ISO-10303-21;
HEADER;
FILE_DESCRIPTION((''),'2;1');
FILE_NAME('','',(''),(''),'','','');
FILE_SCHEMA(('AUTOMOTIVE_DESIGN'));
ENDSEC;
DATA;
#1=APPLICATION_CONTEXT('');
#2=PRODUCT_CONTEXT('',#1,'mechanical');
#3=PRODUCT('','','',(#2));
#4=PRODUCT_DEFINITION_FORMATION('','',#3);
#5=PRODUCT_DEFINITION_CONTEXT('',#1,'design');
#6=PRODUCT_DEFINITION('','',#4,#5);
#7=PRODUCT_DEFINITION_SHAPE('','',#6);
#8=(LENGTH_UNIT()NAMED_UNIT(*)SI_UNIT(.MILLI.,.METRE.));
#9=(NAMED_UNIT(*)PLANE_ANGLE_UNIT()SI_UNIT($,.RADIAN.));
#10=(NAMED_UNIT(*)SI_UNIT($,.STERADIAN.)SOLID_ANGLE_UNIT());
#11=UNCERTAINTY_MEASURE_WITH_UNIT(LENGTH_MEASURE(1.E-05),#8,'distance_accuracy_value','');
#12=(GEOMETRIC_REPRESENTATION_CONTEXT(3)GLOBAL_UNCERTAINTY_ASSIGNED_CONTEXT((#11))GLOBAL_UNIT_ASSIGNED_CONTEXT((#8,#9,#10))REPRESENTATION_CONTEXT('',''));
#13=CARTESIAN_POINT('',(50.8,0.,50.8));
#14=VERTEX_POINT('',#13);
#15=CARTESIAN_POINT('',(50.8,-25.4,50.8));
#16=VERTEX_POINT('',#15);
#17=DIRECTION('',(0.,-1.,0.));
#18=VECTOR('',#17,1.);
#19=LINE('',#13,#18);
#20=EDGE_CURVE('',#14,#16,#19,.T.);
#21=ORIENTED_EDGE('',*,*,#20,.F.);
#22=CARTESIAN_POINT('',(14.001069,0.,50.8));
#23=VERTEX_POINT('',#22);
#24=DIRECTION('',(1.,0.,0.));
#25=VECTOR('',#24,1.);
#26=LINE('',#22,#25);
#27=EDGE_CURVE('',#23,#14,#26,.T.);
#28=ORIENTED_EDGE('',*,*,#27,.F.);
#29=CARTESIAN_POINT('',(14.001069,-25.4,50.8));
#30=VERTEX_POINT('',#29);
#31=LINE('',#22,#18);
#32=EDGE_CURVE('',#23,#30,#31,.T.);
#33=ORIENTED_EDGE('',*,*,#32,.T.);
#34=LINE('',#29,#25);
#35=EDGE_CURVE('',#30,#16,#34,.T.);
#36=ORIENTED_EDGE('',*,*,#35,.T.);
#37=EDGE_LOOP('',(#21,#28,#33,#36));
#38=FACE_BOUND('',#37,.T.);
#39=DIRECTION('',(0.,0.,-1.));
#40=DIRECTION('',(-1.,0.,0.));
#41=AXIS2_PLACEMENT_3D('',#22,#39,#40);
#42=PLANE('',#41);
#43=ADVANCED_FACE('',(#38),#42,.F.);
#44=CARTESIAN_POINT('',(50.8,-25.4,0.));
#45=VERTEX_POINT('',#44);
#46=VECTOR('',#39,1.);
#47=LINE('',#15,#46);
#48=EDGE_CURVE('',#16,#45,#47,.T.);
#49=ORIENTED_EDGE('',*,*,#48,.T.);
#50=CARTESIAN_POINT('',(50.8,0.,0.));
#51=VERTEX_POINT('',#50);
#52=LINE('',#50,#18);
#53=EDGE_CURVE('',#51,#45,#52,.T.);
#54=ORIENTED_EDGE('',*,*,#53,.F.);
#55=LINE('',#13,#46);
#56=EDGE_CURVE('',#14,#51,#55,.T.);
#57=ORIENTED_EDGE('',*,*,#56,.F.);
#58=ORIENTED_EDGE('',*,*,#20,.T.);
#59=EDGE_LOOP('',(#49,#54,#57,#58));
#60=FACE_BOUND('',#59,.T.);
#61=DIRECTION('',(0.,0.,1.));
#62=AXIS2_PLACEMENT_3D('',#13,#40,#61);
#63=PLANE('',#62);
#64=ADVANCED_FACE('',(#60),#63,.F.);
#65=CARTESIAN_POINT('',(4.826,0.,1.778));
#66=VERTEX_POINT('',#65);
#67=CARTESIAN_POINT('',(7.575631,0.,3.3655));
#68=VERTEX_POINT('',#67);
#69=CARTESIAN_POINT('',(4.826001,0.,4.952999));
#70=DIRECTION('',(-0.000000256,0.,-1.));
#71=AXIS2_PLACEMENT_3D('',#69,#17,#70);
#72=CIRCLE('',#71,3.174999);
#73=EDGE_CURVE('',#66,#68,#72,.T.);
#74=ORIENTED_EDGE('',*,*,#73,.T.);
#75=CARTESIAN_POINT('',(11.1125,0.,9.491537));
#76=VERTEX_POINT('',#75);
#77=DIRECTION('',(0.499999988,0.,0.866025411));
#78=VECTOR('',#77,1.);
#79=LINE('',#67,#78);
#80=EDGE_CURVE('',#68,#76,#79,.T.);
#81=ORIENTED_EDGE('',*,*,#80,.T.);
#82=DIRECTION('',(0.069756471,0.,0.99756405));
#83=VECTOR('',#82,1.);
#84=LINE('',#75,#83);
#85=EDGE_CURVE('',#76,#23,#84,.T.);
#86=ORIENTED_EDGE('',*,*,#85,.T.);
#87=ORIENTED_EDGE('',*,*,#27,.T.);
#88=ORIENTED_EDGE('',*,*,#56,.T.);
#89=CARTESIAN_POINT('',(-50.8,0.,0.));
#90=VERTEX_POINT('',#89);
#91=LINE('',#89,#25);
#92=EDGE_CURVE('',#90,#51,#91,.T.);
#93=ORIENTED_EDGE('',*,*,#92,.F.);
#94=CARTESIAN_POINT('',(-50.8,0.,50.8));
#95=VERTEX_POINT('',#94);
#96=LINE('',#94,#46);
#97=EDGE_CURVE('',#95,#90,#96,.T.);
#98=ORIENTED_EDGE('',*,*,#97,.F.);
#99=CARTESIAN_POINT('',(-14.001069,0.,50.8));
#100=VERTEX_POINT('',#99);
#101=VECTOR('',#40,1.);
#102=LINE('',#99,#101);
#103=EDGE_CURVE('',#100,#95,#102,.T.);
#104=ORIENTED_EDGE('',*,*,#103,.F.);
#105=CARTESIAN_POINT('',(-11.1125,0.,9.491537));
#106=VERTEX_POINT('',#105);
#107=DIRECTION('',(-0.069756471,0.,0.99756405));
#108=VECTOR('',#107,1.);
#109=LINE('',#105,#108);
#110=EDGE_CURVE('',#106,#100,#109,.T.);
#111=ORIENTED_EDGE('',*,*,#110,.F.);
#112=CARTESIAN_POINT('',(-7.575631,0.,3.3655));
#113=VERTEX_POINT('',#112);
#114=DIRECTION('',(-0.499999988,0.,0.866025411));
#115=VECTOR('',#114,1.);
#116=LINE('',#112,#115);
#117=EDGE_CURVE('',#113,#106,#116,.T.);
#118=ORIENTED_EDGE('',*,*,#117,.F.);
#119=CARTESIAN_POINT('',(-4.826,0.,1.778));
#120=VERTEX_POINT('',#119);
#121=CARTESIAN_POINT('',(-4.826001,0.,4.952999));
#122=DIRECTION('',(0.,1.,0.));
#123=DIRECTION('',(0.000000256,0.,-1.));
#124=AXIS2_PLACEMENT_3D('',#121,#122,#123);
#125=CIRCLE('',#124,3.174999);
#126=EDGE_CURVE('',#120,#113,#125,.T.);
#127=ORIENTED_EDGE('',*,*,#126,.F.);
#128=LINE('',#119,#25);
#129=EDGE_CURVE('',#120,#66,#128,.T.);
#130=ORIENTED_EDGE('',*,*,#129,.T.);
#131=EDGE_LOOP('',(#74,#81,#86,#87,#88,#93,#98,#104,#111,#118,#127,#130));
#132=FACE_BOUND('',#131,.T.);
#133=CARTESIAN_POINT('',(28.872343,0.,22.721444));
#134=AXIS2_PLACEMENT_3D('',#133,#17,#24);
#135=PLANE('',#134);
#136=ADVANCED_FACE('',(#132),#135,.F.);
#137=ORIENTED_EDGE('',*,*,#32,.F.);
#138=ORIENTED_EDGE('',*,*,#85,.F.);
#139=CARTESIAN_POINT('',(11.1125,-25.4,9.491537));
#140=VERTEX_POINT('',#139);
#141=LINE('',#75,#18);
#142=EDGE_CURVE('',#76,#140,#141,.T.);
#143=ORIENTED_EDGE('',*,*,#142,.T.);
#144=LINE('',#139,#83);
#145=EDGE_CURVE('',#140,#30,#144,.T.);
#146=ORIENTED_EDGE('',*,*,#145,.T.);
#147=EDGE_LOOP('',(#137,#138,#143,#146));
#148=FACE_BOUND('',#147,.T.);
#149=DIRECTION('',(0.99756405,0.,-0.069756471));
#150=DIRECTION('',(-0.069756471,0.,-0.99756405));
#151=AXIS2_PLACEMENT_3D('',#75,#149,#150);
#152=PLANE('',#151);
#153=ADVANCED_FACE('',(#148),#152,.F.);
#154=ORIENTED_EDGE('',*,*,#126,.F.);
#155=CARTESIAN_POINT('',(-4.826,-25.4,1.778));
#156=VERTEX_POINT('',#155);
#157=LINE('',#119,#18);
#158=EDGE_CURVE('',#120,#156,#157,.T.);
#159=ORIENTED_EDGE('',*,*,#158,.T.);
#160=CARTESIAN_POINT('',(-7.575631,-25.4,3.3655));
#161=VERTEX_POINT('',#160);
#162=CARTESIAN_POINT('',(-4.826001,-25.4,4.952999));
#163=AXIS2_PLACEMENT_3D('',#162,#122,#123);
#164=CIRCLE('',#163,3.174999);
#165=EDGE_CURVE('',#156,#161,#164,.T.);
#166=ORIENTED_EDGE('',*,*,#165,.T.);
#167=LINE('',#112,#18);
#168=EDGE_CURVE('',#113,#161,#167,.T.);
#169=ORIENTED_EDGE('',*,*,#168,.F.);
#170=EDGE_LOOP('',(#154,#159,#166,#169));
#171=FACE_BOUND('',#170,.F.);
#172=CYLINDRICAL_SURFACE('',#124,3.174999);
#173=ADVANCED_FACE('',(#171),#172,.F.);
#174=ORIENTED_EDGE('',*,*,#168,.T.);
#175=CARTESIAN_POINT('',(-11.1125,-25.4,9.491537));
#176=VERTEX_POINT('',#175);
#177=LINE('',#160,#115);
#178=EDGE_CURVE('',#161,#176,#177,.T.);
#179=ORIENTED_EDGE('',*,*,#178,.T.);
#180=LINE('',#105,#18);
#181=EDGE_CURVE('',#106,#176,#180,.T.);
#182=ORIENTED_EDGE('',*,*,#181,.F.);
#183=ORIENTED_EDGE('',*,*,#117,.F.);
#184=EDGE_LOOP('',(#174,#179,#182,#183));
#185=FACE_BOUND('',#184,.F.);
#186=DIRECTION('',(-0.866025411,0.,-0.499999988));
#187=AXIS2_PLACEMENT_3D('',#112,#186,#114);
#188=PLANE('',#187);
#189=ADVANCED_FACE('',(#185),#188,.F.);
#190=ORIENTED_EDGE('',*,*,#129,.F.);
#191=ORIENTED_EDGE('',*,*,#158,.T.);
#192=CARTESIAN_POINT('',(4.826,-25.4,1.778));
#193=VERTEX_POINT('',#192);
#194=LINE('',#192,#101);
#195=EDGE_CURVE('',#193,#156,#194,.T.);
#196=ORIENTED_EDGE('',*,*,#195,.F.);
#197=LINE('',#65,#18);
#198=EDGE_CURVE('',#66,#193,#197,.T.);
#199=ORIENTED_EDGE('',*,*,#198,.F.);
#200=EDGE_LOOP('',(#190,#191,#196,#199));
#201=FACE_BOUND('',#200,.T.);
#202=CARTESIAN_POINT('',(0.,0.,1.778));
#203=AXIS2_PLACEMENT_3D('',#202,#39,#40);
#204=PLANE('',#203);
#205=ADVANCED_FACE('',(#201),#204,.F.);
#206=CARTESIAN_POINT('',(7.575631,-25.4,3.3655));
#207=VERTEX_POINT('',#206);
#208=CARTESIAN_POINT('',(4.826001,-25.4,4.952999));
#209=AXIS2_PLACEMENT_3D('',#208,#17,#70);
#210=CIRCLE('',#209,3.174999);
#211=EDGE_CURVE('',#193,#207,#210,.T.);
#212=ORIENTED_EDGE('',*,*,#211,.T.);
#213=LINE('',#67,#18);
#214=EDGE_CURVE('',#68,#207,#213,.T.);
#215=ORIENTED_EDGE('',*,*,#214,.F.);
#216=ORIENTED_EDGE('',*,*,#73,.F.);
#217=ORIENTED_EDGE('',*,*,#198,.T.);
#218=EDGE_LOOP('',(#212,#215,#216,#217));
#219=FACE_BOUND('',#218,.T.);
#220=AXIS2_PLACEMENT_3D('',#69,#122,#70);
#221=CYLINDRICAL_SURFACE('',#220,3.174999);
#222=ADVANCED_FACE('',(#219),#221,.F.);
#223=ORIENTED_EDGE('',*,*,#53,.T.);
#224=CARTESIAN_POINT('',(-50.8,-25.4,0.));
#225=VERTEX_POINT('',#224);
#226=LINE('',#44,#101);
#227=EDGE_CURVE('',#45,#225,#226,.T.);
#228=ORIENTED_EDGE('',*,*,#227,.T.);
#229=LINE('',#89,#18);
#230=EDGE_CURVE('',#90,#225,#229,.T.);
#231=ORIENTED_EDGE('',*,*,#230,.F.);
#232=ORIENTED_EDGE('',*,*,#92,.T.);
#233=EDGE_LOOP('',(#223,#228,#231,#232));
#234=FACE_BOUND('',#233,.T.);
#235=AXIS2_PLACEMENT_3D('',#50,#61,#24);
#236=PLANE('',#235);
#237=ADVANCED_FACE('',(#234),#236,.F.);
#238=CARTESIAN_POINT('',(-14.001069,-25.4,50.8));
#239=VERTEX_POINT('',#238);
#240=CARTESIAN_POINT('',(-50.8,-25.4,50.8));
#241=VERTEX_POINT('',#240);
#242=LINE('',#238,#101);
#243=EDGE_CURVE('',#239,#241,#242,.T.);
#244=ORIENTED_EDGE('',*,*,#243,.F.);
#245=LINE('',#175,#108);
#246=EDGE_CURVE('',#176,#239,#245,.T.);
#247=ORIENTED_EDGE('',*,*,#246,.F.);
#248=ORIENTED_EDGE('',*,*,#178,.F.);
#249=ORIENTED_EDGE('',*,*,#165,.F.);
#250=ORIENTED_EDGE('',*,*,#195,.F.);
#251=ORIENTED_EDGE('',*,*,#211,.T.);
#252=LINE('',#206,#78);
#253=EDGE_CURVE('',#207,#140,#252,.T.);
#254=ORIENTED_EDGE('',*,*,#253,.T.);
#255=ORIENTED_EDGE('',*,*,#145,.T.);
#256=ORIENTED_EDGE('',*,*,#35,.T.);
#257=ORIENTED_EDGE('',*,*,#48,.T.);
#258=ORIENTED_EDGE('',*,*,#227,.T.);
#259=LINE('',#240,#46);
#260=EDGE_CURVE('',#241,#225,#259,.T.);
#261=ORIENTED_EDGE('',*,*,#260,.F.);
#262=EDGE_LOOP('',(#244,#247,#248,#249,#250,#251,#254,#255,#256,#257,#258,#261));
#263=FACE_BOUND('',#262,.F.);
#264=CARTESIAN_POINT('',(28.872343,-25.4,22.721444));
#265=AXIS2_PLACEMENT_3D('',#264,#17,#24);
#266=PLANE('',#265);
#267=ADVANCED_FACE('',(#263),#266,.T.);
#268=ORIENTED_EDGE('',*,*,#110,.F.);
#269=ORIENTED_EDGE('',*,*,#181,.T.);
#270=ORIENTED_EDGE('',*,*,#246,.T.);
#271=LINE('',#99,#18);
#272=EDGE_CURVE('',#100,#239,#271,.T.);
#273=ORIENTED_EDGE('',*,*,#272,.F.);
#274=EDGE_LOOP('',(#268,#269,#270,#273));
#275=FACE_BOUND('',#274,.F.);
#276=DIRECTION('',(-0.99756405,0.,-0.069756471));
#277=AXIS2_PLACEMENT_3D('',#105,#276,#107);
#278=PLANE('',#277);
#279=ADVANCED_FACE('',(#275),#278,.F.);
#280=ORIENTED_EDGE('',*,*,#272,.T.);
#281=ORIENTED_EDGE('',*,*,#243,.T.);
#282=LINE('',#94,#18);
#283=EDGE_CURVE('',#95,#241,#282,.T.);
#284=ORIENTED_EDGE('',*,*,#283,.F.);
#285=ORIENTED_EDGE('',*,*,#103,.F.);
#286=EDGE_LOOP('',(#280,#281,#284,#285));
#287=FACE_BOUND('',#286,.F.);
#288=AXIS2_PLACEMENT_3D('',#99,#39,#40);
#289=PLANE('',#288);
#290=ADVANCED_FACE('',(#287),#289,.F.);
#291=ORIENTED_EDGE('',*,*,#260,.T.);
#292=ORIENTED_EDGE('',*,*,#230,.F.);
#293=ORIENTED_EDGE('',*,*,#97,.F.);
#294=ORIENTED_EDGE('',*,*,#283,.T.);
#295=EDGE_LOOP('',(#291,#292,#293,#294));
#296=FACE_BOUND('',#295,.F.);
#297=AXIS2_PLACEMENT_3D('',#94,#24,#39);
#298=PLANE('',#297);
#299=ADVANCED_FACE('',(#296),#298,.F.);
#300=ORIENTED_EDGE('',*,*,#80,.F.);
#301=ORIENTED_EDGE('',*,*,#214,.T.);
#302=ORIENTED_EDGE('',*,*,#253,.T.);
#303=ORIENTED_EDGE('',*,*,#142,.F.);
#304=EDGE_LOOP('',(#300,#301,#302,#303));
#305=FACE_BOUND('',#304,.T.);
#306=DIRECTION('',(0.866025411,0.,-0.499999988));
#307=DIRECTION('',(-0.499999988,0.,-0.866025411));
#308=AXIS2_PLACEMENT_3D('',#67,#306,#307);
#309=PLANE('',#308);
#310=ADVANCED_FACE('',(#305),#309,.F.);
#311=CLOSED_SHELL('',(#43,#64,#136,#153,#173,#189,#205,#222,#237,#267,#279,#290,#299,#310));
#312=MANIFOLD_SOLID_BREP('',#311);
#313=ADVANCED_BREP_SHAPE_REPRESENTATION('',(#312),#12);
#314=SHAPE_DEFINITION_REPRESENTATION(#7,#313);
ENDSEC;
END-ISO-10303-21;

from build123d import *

# Parameters (mm, degrees)
F1_DEPTH = 25.4


with BuildPart() as f1:
    # F0 (on Front) → F1 (new body)
    with BuildSketch(Plane.XZ):
        with BuildLine():
            Line((-50.8, 0), (0, 0))
            Line((0, 0), (0, 1.778))
            Line((0, 1.778), (-4.826, 1.778))
            ThreePointArc((-4.826, 1.778), (-6.4135, 2.203369), (-7.575631, 3.3655))
            Line((-7.575631, 3.3655), (-11.1125, 9.491537))
            Line((-11.1125, 9.491537), (-14.001069, 50.8))
            Line((-14.001069, 50.8), (-50.8, 50.8))
            Line((-50.8, 50.8), (-50.8, 0))
        make_face()
    extrude(amount=F1_DEPTH)

    # F2: F1 across plane


with BuildPart() as f1_1:
    add(f1.part)
    add(f1.part.mirror(Plane.YZ))


solid = f1_1.part
